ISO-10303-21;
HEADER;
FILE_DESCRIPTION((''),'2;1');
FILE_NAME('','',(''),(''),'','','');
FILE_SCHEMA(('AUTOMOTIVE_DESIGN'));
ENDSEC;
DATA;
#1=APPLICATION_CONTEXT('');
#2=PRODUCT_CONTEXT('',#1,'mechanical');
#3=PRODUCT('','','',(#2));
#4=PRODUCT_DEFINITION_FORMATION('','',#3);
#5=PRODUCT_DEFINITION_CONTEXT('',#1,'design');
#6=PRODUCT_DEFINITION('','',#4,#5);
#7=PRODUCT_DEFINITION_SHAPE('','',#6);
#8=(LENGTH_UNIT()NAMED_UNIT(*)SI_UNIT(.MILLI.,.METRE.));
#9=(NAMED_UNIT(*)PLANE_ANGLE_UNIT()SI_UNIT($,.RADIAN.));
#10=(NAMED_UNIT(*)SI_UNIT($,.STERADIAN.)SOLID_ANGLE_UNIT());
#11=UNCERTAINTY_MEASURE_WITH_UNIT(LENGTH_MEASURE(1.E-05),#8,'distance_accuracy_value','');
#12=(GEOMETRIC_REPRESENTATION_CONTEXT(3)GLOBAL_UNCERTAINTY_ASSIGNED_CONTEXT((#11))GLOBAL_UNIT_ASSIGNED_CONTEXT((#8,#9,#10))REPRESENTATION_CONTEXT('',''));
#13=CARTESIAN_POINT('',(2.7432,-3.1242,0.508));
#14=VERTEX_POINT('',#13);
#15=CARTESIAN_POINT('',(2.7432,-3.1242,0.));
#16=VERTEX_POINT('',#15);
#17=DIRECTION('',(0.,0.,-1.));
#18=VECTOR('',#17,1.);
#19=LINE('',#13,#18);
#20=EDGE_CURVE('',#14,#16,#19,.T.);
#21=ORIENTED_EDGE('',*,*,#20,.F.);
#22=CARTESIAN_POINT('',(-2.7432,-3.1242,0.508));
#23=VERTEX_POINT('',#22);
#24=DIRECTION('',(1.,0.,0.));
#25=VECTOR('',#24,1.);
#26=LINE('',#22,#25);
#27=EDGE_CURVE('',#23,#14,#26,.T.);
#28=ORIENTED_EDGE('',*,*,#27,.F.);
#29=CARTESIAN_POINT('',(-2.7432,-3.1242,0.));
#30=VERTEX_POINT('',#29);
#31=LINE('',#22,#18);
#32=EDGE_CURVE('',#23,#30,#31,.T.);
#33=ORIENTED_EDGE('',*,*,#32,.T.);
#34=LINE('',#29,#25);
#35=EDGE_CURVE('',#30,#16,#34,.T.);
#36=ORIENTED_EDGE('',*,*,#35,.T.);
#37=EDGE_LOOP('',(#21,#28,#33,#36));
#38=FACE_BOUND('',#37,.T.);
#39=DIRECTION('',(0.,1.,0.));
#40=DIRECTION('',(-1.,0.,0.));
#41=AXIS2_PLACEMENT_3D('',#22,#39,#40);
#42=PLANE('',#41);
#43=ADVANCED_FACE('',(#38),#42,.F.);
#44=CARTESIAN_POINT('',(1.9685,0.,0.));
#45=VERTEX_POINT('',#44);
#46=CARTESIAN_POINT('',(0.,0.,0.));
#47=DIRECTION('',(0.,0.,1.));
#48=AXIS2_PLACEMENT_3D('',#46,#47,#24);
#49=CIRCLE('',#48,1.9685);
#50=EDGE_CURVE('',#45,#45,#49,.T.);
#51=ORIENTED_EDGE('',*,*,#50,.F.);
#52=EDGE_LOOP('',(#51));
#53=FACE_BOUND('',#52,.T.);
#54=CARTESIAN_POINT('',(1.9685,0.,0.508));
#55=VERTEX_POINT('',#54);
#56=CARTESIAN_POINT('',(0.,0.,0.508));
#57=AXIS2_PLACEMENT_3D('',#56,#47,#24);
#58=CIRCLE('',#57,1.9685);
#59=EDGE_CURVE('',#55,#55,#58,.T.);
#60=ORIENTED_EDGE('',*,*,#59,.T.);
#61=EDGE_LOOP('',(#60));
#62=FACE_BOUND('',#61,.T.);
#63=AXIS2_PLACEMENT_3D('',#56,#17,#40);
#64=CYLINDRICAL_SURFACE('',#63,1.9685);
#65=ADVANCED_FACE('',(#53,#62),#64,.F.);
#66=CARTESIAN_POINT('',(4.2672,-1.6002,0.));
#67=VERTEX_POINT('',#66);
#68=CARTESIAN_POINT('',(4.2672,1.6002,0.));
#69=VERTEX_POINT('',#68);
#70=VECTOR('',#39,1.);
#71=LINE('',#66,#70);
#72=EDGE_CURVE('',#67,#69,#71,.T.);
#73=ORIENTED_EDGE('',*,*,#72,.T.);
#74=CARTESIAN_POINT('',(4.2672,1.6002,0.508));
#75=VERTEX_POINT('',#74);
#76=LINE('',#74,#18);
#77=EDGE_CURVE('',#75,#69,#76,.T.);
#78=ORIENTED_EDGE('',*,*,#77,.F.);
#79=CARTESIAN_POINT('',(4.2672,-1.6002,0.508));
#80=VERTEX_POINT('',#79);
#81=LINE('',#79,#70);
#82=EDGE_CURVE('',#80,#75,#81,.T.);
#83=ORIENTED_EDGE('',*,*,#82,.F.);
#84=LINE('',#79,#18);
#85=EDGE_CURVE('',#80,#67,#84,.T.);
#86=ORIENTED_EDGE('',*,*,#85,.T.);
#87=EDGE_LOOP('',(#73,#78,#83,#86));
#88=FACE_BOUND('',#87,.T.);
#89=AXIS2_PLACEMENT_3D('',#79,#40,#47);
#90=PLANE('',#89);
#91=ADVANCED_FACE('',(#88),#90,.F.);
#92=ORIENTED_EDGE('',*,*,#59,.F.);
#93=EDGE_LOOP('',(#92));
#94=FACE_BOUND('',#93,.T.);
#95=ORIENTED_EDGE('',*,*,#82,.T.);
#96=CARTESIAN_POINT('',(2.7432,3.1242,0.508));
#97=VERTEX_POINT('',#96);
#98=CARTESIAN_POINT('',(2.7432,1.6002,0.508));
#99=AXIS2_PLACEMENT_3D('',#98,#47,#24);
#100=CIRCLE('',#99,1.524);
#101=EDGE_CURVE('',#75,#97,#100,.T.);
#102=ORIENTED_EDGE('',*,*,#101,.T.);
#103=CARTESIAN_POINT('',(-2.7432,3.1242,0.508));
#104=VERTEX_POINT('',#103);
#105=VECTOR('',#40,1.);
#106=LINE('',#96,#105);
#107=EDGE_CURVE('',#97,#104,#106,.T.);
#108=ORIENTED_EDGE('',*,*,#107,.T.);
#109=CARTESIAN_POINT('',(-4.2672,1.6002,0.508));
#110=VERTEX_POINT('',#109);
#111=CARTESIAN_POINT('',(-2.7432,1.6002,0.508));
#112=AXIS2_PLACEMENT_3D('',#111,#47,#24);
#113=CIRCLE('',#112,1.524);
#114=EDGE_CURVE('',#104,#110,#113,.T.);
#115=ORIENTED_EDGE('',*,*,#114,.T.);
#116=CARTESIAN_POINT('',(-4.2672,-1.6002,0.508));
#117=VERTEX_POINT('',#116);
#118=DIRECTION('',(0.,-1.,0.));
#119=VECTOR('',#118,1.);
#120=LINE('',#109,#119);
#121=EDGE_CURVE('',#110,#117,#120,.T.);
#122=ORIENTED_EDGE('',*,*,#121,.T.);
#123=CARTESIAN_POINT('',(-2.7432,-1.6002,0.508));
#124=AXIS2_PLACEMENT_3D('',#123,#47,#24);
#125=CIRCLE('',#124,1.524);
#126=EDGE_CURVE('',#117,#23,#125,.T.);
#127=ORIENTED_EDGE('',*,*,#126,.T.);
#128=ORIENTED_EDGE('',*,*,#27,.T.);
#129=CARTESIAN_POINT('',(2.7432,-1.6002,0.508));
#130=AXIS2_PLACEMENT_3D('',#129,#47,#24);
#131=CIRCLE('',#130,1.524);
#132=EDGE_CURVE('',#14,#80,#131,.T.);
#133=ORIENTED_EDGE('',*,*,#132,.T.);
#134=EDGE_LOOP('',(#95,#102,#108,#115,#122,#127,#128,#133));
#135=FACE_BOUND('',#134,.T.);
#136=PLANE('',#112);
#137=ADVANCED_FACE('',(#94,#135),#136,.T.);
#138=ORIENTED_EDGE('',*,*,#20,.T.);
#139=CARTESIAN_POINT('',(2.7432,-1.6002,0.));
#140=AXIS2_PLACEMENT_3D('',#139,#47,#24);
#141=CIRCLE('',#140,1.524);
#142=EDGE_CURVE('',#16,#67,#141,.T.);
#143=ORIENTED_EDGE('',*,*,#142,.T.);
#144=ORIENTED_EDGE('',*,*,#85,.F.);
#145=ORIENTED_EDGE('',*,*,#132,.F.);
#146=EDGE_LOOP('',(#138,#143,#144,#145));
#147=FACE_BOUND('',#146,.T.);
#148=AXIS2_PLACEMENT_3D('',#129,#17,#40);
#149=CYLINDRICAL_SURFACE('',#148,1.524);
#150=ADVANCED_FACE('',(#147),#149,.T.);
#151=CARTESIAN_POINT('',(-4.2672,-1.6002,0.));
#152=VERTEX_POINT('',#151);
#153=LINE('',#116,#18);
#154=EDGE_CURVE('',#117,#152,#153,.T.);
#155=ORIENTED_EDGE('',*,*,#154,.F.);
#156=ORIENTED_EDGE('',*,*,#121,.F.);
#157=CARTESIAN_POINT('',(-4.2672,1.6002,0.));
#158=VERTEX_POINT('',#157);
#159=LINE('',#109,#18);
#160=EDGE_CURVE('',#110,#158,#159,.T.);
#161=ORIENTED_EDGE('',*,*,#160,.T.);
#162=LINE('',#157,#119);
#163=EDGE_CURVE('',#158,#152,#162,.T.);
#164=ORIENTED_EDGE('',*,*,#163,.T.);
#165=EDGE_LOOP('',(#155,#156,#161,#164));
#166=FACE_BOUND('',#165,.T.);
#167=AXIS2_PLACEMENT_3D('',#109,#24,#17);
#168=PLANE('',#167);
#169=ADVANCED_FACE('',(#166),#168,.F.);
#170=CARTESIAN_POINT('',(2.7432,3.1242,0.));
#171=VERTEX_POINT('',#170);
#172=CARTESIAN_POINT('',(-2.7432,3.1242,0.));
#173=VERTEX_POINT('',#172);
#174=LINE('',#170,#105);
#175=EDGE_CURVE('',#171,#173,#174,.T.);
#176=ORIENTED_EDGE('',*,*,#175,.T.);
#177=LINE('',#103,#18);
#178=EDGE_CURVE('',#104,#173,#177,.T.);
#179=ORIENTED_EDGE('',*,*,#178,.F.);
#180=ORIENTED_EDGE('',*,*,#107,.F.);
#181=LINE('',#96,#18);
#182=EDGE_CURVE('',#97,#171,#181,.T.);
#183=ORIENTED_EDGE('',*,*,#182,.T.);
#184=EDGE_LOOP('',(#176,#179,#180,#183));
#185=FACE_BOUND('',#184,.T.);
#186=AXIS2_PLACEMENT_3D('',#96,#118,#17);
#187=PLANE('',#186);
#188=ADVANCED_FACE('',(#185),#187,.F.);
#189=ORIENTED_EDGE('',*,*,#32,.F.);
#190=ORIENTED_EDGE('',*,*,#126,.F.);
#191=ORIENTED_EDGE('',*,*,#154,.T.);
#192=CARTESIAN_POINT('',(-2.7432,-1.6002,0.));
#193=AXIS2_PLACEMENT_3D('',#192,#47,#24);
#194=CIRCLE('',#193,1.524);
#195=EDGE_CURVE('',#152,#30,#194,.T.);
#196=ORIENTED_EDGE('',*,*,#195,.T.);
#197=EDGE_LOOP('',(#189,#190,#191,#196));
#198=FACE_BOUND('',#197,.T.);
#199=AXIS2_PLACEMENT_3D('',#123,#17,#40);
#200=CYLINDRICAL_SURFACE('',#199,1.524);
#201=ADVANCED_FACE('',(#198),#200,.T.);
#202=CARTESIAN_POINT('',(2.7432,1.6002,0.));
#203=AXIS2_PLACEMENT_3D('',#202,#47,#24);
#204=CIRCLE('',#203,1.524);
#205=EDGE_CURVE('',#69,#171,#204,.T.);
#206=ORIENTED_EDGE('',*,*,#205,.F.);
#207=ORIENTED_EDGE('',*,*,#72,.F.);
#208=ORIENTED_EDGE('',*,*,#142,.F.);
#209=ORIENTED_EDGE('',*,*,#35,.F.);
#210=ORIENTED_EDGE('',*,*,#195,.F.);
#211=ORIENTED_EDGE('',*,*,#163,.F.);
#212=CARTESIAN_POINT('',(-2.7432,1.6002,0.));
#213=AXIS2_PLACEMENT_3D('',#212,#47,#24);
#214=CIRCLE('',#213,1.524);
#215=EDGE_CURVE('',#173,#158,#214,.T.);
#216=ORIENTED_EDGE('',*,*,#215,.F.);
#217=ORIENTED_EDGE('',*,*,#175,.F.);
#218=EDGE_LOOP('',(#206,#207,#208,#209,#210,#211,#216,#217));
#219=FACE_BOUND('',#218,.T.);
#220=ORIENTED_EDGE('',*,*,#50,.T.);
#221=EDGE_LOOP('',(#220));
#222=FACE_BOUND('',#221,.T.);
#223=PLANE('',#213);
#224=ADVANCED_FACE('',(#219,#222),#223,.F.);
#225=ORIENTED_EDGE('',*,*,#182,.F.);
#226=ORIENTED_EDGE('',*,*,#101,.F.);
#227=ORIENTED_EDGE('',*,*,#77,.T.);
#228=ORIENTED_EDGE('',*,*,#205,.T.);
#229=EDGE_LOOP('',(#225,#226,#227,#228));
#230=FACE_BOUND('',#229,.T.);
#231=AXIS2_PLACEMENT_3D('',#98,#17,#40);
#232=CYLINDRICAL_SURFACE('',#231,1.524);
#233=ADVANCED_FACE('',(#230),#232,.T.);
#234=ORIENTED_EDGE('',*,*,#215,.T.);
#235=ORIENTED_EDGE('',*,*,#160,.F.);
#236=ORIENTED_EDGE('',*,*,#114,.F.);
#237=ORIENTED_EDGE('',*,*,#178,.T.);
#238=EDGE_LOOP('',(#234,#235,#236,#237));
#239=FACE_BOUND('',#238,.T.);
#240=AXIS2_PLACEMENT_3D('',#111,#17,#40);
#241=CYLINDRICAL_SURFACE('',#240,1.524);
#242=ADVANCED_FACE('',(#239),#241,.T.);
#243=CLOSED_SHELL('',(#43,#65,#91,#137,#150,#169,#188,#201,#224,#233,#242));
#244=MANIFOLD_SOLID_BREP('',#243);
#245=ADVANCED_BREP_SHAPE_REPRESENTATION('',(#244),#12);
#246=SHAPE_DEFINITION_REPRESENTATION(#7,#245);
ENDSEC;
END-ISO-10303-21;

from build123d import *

# Parameters (mm, degrees)
SKETCH1_R           = 1.9685
BOSS_EXTRUDE1_DEPTH = 0.508


with BuildPart() as part:
    # Sketch1 → Boss-Extrude1 (new body)
    with BuildSketch(Plane.XY):
        with BuildLine():
            Line((-4.2672, 1.6002), (-4.2672, -1.6002))
            ThreePointArc((-4.2672, -1.6002), (-3.820830735, -2.677830735), (-2.7432, -3.1242))
            Line((-2.7432, -3.1242), (2.7432, -3.1242))
            ThreePointArc((2.7432, -3.1242), (3.820830735, -2.677830735), (4.2672, -1.6002))
            Line((4.2672, -1.6002), (4.2672, 1.6002))
            ThreePointArc((4.2672, 1.6002), (3.820830735, 2.677830735), (2.7432, 3.1242))
            Line((2.7432, 3.1242), (-2.7432, 3.1242))
            ThreePointArc((-2.7432, 3.1242), (-3.820830735, 2.677830735), (-4.2672, 1.6002))
        make_face()
        Circle(SKETCH1_R, mode=Mode.SUBTRACT)
    extrude(amount=BOSS_EXTRUDE1_DEPTH)


solid = part.part
